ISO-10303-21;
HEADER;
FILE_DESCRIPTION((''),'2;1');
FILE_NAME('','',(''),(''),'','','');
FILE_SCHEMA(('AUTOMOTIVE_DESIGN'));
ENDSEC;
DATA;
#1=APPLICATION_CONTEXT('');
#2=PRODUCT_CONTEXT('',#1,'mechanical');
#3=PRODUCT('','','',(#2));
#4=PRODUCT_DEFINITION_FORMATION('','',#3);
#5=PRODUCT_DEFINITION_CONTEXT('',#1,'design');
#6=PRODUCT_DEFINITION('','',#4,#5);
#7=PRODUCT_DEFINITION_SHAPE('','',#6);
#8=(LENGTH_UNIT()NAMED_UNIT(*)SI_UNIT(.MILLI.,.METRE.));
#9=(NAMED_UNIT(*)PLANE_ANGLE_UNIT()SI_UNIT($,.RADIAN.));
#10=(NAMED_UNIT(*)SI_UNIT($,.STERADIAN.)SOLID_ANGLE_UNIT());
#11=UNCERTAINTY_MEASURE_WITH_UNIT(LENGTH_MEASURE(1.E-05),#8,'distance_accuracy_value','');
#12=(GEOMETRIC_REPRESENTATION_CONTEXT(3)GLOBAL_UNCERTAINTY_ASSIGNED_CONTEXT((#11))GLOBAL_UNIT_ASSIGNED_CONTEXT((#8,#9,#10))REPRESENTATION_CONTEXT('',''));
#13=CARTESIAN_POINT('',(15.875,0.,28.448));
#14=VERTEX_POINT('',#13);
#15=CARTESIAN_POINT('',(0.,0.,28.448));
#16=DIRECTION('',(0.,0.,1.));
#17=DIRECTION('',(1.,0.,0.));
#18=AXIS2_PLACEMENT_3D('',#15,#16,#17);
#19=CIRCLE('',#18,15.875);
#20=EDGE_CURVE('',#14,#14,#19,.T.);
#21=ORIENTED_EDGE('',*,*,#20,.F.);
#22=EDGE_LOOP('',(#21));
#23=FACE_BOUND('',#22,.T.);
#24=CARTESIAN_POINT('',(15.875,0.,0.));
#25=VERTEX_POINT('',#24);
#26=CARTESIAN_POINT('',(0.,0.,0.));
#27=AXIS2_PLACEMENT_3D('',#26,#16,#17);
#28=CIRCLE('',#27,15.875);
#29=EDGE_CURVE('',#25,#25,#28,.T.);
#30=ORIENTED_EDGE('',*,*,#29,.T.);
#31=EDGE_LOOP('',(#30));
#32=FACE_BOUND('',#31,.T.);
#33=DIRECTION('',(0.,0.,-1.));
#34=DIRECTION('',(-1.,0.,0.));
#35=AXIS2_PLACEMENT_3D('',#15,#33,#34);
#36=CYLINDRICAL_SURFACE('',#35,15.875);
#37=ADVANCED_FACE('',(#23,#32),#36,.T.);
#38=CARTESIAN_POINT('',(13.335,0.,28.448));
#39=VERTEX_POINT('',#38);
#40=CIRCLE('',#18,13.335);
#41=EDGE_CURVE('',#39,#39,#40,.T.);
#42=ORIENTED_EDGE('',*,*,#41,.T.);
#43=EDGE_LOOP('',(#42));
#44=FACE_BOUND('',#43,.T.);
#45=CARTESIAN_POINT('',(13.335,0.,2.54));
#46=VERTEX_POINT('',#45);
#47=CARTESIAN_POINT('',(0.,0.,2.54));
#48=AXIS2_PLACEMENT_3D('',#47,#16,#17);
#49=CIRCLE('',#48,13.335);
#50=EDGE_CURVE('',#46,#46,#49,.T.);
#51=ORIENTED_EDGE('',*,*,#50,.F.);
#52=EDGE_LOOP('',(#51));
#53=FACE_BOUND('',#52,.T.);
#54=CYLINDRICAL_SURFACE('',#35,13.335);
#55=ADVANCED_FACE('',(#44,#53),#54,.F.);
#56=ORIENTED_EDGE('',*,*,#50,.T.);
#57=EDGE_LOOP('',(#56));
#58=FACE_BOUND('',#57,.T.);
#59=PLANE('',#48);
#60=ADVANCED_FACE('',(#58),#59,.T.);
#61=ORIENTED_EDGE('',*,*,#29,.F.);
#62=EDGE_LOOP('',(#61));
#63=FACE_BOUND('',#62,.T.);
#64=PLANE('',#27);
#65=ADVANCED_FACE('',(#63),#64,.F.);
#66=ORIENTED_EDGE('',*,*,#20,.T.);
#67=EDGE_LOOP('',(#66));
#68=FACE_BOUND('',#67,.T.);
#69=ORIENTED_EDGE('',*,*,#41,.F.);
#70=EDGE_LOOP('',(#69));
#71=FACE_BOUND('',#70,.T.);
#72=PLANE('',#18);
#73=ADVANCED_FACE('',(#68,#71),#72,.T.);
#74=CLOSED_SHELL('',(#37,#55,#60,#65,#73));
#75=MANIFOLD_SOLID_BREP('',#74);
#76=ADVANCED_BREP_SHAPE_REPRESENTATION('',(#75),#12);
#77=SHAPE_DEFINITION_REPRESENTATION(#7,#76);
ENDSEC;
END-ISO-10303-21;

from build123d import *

# Parameters (mm, degrees)
SKETCH1_R           = 15.875
BOSS_EXTRUDE1_DEPTH = 28.448
SHELL1_T            = -2.54


with BuildPart() as part:
    # Sketch1 → Boss-Extrude1 (new body)
    with BuildSketch(Plane.XY):
        Circle(SKETCH1_R)
    extrude(amount=BOSS_EXTRUDE1_DEPTH)

    # Shell1
    shell1_openings = [part.faces().sort_by_distance(p)[0] for p in [
        (0, 0, 28.448),
    ]]
    offset(amount=SHELL1_T, openings=shell1_openings, kind=Kind.INTERSECTION)


solid = part.part
